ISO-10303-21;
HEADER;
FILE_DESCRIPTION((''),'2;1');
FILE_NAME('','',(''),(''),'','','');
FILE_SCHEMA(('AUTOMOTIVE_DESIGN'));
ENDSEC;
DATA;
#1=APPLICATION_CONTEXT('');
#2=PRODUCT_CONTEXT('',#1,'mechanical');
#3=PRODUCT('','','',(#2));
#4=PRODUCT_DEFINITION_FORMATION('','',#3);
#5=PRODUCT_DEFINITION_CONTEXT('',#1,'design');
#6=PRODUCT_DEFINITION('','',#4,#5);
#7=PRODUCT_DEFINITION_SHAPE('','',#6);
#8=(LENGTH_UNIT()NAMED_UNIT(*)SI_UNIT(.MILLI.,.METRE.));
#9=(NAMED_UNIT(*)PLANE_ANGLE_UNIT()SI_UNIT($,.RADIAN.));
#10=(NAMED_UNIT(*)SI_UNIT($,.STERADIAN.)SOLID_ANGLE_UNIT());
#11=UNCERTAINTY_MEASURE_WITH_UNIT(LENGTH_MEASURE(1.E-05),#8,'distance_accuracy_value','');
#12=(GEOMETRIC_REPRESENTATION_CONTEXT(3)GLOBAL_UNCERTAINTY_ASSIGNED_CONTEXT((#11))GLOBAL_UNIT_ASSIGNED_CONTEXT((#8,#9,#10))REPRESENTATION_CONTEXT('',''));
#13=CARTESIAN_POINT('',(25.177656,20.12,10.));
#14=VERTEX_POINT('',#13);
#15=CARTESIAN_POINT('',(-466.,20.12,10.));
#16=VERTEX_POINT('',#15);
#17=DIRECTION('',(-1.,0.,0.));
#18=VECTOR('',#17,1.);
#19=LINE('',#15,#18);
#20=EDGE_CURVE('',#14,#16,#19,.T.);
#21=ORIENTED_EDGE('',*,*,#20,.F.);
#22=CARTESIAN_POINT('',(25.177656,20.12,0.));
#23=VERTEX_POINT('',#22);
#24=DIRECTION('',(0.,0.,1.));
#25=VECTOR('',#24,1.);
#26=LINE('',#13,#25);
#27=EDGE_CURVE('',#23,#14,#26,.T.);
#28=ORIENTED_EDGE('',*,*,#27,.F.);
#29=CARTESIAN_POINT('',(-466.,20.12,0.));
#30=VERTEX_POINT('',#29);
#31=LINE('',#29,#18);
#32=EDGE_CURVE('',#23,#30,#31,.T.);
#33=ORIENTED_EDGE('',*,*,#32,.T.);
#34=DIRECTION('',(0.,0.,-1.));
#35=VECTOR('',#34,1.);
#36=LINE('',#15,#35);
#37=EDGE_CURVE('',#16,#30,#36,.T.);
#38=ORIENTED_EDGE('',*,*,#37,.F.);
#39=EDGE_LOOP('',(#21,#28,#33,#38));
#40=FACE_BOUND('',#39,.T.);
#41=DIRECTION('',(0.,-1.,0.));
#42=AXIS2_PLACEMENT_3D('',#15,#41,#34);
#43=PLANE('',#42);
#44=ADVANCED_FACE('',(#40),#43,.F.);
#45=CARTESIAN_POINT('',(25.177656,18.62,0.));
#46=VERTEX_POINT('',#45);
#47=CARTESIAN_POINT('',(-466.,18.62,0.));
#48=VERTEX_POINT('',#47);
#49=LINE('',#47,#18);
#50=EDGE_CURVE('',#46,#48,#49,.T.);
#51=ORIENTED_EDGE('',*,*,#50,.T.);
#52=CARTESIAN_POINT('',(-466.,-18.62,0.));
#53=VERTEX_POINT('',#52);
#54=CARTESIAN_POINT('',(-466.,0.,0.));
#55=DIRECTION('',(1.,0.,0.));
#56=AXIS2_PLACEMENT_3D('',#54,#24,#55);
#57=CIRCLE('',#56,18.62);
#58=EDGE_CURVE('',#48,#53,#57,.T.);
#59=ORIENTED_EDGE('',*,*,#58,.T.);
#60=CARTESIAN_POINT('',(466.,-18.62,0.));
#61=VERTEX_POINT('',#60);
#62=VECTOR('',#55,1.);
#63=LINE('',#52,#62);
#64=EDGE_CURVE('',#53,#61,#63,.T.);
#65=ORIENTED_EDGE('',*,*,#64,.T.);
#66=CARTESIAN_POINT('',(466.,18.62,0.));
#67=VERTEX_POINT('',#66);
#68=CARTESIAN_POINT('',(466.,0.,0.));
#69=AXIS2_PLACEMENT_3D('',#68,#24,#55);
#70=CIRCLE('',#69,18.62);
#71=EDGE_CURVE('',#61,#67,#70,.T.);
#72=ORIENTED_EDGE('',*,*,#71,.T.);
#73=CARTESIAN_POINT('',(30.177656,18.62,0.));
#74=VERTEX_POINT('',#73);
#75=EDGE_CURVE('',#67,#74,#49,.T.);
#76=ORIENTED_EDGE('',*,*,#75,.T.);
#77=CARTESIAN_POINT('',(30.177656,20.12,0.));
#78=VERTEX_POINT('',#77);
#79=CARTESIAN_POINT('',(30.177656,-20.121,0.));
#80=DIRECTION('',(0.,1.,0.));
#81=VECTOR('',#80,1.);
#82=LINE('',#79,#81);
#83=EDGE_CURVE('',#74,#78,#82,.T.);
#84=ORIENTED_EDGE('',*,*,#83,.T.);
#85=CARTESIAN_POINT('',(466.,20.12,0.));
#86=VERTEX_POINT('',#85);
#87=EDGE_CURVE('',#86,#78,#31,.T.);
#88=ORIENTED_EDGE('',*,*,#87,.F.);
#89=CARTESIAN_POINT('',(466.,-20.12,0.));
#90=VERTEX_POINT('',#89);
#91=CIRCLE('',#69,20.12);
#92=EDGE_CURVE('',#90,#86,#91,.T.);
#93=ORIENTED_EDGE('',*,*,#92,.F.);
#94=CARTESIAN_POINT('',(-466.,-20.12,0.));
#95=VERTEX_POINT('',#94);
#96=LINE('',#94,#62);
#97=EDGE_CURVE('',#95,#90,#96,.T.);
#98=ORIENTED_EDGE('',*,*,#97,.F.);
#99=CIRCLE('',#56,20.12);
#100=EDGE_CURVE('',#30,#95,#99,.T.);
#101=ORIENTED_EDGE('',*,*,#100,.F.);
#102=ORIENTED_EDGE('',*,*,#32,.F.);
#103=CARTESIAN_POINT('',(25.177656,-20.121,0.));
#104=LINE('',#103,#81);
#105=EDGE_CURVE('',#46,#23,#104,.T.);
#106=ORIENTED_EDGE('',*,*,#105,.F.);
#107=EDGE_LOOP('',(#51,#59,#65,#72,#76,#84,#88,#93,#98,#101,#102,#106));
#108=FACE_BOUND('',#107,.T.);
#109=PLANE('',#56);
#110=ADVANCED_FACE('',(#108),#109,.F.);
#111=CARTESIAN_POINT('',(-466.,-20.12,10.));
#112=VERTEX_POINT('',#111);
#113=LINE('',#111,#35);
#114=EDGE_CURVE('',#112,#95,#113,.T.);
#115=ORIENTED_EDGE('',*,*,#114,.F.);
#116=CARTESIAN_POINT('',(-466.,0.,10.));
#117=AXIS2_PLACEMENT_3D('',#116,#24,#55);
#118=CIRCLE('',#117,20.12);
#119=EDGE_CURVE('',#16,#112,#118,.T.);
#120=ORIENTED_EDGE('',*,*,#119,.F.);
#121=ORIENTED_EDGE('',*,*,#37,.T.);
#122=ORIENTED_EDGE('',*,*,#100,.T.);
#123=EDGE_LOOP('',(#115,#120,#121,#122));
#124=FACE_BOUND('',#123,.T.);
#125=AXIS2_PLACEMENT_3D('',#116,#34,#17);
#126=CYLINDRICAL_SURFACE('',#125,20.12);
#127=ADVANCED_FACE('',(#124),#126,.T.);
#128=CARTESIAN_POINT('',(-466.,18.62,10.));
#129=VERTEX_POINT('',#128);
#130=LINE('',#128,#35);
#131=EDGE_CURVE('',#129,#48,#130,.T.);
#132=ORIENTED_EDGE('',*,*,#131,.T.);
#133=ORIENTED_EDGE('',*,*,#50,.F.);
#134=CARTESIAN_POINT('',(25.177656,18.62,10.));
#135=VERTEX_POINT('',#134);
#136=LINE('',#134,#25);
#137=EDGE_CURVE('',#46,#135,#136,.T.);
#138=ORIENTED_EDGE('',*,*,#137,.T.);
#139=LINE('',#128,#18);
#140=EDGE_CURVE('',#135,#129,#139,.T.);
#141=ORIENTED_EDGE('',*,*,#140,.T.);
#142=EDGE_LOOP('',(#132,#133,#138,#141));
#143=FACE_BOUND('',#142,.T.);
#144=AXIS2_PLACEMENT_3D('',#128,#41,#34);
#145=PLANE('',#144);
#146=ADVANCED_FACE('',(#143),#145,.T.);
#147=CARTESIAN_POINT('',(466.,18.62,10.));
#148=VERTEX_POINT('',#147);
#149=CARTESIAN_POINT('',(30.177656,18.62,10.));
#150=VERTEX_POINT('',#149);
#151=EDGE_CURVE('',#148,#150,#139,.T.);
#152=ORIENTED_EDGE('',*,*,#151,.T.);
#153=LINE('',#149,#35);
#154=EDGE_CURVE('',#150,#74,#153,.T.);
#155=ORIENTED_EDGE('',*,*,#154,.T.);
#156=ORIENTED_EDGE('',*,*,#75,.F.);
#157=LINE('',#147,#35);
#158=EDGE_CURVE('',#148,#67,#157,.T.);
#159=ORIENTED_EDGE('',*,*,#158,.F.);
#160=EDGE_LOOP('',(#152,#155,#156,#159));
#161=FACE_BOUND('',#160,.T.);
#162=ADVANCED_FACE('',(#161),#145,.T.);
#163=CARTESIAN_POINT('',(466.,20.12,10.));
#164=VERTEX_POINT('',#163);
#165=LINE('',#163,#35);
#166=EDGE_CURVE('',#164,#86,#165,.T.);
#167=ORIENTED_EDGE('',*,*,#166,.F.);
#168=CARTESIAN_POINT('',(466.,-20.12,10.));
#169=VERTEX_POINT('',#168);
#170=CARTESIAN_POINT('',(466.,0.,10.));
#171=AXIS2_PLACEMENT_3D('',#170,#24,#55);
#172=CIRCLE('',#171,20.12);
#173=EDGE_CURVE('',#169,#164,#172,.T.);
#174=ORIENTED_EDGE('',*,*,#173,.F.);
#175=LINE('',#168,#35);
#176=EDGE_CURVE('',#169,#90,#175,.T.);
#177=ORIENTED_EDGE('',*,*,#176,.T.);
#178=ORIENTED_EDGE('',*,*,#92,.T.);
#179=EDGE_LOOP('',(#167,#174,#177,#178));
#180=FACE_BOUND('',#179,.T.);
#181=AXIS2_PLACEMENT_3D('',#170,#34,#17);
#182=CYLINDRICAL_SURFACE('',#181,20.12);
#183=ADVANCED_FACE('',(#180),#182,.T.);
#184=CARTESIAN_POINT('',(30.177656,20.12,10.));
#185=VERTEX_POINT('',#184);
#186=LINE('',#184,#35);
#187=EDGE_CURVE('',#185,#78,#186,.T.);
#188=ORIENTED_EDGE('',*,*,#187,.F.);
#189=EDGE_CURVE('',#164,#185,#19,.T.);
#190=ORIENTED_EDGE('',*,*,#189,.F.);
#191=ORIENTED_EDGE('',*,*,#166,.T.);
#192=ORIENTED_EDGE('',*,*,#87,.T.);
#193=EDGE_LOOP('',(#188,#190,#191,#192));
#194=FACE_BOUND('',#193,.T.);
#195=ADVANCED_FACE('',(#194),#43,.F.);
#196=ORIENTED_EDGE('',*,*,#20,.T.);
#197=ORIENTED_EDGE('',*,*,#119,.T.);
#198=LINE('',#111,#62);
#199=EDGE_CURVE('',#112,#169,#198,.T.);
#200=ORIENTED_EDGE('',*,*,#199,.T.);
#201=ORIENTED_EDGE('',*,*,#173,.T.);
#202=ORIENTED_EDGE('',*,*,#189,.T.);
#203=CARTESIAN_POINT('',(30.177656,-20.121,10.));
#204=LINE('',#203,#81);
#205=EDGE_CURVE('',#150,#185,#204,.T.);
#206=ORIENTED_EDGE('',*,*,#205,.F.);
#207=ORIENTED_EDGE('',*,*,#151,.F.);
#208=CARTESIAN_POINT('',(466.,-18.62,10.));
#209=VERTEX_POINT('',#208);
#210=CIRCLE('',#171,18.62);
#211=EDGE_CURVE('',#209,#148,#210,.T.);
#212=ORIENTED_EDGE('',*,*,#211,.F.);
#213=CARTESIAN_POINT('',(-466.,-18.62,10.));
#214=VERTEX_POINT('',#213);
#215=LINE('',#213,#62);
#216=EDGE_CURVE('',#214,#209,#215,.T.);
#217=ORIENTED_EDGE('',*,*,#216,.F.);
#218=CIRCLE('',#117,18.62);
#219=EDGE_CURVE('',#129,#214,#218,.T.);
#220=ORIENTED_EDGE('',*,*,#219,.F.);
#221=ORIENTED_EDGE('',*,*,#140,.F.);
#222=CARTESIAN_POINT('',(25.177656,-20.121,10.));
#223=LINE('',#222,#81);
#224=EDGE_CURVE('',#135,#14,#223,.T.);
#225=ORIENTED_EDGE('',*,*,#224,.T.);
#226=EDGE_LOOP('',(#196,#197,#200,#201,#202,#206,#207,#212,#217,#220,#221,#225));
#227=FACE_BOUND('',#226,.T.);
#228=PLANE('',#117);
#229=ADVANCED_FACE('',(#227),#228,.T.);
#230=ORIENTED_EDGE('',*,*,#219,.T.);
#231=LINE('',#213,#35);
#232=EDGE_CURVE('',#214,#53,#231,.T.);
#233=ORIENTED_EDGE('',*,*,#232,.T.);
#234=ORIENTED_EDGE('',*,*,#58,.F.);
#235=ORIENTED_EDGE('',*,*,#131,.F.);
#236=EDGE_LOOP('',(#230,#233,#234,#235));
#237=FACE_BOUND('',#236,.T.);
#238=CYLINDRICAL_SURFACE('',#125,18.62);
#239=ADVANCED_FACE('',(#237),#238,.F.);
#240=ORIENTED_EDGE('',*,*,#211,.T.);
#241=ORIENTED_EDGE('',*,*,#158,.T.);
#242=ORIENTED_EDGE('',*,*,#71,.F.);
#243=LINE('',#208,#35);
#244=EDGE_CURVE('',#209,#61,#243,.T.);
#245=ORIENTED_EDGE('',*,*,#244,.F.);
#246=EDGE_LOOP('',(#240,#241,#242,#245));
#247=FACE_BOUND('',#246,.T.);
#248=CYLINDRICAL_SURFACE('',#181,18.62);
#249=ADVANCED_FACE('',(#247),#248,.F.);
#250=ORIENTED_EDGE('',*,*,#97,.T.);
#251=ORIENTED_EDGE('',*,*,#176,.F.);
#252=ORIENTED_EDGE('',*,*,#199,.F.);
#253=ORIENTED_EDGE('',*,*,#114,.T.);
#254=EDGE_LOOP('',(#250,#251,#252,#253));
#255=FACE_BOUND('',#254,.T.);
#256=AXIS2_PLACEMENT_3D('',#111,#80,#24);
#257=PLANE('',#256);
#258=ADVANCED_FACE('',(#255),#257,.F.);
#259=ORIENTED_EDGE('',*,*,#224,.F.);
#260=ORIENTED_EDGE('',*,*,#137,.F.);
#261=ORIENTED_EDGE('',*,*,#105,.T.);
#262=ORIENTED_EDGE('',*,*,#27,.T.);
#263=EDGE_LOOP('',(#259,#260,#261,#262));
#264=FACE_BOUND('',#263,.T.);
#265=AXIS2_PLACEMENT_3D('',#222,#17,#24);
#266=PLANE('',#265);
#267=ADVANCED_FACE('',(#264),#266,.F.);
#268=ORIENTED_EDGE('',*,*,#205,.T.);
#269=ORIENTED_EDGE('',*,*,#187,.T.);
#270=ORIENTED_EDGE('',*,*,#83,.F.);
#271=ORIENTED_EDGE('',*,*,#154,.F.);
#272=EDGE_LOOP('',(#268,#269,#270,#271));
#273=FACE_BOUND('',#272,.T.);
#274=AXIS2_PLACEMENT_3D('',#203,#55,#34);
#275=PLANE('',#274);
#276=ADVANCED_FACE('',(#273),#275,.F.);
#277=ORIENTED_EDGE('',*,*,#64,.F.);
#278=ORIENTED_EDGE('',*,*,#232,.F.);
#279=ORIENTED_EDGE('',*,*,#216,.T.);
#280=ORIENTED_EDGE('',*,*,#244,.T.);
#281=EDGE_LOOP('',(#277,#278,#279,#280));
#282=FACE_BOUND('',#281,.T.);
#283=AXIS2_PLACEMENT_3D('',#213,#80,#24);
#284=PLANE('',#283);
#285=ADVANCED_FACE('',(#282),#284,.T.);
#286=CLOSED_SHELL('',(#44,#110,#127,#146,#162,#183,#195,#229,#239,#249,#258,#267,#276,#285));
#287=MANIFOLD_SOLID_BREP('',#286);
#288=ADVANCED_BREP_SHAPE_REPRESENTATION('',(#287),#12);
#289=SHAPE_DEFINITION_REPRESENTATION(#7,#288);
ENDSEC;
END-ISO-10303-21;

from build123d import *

# Parameters (mm, degrees)
EXTRUDE_1_DEPTH     = 10
CUT_EXTRUDE_1_REACH = 42.24
SKETCH_2_W          = 5
SKETCH_2_H          = 10


with BuildPart() as part:
    # 草圖1 → 伸長1 (new body)
    with BuildSketch(Plane.XY):
        with BuildLine():
            Line((-466, 20.12), (466, 20.12))
            ThreePointArc((466, 20.12), (486.12, 0), (466, -20.12))
            Line((466, -20.12), (-466, -20.12))
            ThreePointArc((-466, -20.12), (-486.12, 0), (-466, 20.12))
        make_face()
        with BuildLine():
            Line((-466, 18.62), (466, 18.62))
            ThreePointArc((466, 18.62), (484.62, 0), (466, -18.62))
            Line((466, -18.62), (-466, -18.62))
            ThreePointArc((-466, -18.62), (-484.62, 0), (-466, 18.62))
        make_face(mode=Mode.SUBTRACT)
    extrude(amount=EXTRUDE_1_DEPTH)

    # 草圖2 → 除料-伸長1 (cut, up to next)
    with BuildSketch(Plane(origin=(0, 20.12, 0), x_dir=(1, 0, 0), z_dir=(0, 1, 0)), mode=Mode.PRIVATE) as cut_extrude_1_sk1:
        with Locations((27.677656209, -5)):
            Rectangle(SKETCH_2_W, SKETCH_2_H)
    cut_extrude_1_tool1 = extrude(cut_extrude_1_sk1.sketch, amount=-CUT_EXTRUDE_1_REACH, mode=Mode.PRIVATE) & part.part
    add(cut_extrude_1_tool1.solids().sort_by_distance((27.677656, 20.12, 5))[0], mode=Mode.SUBTRACT)


solid = part.part
